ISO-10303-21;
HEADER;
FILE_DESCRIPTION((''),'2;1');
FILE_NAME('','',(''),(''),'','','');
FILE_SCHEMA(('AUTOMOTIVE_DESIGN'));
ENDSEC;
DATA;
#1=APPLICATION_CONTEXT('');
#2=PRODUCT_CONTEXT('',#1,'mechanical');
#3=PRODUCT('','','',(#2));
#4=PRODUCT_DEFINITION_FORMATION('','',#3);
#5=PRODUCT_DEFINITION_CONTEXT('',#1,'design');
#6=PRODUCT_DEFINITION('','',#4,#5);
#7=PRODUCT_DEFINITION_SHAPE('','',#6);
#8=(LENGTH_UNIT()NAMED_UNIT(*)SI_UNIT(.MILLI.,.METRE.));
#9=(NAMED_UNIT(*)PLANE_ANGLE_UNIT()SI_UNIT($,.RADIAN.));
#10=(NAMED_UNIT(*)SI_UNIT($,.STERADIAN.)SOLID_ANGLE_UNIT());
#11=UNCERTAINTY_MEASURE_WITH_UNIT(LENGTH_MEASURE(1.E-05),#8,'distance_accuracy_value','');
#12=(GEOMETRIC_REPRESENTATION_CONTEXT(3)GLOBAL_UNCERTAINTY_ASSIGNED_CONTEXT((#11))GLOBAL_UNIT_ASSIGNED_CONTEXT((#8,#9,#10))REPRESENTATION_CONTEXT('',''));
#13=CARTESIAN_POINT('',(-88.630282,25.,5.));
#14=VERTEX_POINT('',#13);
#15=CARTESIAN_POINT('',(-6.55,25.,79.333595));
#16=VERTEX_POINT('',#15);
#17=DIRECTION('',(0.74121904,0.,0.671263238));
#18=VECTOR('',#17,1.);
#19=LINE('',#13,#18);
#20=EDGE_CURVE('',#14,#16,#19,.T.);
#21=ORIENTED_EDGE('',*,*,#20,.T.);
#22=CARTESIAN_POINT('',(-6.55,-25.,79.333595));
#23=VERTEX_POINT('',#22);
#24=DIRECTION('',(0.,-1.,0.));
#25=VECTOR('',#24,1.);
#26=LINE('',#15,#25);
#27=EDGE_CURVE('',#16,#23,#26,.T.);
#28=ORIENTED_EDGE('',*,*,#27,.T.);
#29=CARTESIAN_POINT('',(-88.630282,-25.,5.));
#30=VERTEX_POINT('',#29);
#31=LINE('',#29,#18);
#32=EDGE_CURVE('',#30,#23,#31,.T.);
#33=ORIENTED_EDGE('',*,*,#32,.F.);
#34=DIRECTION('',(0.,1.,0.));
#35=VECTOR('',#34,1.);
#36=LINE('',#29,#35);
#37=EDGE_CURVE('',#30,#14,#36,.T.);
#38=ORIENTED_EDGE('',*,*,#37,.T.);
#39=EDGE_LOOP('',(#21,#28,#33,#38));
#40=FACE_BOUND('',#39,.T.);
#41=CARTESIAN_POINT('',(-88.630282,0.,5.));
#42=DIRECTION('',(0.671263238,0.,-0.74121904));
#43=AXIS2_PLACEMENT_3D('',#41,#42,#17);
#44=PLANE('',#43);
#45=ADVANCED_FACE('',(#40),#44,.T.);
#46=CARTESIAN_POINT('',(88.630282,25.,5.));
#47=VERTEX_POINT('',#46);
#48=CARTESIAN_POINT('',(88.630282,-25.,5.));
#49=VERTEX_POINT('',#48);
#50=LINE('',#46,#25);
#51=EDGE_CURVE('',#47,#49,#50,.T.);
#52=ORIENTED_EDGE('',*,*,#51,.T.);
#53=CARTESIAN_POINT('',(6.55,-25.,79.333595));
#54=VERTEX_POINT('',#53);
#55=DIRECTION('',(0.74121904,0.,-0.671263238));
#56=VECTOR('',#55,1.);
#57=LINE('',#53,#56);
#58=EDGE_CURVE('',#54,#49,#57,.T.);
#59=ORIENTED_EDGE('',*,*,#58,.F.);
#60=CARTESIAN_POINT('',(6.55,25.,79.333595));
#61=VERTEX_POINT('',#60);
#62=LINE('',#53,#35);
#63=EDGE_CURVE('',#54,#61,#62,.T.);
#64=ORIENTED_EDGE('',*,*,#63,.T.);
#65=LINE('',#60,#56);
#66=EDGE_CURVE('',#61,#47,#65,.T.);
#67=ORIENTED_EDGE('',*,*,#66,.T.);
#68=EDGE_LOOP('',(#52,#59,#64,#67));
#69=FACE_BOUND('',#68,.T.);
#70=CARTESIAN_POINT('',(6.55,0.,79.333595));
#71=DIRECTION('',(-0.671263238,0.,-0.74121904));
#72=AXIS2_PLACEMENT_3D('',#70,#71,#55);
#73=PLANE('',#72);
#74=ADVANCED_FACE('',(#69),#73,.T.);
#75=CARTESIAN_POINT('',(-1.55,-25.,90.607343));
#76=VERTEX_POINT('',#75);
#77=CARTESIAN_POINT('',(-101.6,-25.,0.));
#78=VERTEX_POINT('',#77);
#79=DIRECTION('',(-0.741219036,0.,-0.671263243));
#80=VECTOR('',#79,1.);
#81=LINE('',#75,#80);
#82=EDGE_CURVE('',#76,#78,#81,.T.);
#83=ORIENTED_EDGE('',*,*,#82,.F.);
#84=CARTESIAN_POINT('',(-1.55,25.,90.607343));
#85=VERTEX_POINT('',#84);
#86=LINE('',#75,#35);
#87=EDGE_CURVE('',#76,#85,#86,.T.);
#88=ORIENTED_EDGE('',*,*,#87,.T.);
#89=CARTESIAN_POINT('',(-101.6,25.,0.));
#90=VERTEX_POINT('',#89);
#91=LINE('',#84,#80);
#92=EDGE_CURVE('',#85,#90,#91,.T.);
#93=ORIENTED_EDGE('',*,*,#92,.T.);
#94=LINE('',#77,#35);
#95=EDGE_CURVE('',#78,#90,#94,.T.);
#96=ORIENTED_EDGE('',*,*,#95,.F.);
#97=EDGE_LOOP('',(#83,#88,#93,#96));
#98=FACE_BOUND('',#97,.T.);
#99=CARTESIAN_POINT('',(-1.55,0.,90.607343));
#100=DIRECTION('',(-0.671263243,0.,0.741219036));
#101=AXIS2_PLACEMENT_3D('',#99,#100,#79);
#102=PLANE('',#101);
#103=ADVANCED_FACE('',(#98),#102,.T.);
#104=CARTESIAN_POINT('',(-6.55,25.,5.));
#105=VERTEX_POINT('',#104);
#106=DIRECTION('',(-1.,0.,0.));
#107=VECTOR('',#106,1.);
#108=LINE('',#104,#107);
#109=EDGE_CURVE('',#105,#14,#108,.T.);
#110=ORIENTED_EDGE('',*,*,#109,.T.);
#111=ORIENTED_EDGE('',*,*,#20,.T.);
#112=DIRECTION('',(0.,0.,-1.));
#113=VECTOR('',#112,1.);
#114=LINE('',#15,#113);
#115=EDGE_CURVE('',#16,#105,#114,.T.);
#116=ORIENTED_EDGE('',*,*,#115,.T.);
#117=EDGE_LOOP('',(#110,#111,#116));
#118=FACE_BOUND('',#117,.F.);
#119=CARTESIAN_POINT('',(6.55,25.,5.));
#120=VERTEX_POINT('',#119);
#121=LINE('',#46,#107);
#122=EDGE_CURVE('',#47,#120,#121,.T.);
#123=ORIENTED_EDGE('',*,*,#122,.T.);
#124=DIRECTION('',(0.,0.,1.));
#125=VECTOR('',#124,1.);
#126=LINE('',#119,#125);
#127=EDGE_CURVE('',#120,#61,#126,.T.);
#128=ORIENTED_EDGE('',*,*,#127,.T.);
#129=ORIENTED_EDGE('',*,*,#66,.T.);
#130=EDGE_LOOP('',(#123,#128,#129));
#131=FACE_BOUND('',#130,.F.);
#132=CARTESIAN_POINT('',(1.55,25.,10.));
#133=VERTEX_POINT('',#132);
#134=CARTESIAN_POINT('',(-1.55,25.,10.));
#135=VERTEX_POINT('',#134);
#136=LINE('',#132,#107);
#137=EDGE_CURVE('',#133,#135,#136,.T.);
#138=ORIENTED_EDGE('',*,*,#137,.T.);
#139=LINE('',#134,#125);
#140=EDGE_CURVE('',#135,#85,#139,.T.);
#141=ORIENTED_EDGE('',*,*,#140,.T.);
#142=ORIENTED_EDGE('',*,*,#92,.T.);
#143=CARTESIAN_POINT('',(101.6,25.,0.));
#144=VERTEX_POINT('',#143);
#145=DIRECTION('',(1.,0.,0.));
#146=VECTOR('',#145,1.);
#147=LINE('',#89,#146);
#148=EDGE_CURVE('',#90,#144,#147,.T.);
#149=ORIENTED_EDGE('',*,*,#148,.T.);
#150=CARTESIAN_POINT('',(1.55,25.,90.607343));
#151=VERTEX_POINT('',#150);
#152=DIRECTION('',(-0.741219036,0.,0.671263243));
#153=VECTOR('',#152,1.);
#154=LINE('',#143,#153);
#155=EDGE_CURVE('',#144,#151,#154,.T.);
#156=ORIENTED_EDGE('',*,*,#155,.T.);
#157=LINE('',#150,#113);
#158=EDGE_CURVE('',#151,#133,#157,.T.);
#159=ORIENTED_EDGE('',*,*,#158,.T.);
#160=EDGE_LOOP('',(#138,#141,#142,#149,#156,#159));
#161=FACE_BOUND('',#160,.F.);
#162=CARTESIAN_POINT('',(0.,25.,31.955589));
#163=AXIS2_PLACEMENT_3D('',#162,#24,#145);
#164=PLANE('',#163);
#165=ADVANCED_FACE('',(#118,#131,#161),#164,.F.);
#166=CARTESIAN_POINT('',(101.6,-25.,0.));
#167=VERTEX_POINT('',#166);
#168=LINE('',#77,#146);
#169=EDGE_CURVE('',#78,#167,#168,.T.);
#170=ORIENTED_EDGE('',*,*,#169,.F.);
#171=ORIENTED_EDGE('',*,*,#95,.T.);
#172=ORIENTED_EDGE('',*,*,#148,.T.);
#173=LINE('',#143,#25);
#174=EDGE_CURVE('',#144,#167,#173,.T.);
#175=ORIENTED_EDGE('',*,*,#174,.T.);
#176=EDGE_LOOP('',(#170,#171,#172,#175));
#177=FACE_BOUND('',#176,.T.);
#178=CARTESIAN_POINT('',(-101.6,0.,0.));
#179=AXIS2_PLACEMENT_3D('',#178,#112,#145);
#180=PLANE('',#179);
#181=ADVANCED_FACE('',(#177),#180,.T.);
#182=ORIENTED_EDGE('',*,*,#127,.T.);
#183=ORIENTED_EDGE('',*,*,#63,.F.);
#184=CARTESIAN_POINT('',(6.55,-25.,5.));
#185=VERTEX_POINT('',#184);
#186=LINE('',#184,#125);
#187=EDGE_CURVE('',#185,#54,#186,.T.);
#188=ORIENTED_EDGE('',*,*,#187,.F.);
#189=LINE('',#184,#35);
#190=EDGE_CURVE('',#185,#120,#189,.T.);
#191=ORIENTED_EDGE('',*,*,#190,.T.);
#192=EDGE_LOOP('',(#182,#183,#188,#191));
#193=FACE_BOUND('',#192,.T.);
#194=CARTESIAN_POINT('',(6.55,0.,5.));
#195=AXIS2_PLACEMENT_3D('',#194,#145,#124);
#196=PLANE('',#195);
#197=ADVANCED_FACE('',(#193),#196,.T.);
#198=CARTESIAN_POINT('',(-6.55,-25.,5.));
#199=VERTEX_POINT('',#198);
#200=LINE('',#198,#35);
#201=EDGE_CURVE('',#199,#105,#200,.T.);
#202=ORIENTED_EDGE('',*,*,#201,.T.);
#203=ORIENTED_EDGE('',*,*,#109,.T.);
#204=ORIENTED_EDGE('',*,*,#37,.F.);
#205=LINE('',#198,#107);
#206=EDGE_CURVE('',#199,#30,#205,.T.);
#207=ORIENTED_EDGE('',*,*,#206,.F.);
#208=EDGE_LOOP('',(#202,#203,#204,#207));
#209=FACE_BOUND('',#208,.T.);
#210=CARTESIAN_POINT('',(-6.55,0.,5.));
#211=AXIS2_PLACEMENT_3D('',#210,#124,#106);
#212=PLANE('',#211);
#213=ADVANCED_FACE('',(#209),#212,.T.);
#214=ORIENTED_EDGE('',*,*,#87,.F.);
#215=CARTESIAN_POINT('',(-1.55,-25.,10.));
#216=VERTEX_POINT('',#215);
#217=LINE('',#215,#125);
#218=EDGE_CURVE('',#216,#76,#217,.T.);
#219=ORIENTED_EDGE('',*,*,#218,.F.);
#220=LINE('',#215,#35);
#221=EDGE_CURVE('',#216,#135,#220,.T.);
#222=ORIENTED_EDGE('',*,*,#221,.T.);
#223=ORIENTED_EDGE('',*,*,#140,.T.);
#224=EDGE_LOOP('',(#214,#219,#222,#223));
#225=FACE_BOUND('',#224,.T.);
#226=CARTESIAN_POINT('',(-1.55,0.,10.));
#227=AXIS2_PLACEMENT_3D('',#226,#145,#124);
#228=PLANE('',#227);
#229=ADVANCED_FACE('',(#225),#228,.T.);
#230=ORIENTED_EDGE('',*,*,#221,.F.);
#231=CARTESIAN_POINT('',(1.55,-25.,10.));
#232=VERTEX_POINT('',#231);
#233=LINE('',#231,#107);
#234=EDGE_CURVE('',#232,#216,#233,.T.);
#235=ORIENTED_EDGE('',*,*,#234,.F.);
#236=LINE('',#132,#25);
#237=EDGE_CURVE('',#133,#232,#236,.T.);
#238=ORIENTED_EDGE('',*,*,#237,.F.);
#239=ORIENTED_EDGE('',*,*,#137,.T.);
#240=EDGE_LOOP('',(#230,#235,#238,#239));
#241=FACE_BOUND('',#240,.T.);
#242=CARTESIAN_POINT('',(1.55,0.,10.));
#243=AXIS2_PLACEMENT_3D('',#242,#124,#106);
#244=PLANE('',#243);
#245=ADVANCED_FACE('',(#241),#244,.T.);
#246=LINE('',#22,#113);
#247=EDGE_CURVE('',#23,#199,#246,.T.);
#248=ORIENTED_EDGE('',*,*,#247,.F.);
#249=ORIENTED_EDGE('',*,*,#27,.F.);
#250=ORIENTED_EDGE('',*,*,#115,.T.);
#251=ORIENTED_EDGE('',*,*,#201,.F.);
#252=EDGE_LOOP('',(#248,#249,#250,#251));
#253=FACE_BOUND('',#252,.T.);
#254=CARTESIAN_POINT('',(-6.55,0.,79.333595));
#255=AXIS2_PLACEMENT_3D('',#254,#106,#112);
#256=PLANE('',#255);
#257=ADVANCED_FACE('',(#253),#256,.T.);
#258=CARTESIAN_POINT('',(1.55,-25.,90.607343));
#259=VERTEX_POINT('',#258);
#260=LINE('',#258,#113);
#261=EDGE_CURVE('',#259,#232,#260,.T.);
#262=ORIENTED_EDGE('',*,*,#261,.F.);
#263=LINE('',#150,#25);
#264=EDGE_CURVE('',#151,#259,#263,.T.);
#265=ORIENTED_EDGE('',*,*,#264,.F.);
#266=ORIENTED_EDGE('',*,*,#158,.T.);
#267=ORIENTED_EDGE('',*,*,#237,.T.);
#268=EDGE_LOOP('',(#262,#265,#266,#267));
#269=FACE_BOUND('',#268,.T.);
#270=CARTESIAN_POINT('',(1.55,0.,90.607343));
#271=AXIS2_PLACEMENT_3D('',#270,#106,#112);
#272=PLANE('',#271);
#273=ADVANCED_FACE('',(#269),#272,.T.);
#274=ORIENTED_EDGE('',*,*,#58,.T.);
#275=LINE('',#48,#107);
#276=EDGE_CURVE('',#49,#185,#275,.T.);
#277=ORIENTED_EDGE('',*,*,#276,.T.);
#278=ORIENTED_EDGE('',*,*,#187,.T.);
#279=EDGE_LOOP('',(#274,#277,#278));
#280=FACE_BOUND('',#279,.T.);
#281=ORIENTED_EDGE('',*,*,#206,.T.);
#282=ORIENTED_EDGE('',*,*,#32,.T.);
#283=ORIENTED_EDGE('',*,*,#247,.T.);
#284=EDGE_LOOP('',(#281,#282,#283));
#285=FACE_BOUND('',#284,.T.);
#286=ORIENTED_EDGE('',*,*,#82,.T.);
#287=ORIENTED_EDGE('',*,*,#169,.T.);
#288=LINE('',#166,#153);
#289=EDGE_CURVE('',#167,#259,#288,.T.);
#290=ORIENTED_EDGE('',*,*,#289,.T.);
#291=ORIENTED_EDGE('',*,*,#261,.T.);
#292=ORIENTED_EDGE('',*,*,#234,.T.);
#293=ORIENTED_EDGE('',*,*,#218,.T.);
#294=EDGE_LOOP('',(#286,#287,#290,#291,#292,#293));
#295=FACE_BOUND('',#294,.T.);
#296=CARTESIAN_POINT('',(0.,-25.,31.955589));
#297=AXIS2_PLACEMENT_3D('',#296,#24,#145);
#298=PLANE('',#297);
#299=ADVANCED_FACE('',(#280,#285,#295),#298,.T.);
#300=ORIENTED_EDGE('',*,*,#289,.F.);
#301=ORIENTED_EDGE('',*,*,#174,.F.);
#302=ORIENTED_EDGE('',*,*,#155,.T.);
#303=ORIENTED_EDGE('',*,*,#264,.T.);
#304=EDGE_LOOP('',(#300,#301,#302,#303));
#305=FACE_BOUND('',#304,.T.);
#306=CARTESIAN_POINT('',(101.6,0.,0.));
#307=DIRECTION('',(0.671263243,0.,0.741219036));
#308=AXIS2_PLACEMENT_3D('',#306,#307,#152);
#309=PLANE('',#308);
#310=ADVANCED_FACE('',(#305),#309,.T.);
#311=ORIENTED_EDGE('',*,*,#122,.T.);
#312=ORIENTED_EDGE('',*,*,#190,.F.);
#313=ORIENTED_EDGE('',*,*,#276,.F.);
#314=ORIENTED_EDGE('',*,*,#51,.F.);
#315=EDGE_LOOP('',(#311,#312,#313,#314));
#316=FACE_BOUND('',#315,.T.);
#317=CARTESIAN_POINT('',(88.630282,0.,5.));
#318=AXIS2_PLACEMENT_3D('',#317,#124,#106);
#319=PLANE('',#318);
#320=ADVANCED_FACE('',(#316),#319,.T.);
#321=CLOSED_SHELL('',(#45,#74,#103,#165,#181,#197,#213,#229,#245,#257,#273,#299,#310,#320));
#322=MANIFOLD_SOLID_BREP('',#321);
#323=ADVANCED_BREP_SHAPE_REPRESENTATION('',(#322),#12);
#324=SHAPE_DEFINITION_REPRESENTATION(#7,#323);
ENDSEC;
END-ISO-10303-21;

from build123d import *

# Parameters (mm, degrees)
F1_DEPTH = 25


with BuildPart() as f1:
    # F0 (on Front) → F1 (new body, symmetric)
    with BuildSketch(Plane.XZ):
        Polygon((-101.6, 0), (0, 0), (101.6, 0), (1.55, 90.607343), (1.55, 10), (-1.55, 10), (-1.55, 90.607343), align=None)
        Polygon((-6.55, 79.333595), (-6.55, 5), (-88.630282, 5), align=None, mode=Mode.SUBTRACT)
        Polygon((88.630282, 5), (6.55, 5), (6.55, 79.333595), align=None, mode=Mode.SUBTRACT)
    extrude(amount=F1_DEPTH, both=True)


solid = f1.part
